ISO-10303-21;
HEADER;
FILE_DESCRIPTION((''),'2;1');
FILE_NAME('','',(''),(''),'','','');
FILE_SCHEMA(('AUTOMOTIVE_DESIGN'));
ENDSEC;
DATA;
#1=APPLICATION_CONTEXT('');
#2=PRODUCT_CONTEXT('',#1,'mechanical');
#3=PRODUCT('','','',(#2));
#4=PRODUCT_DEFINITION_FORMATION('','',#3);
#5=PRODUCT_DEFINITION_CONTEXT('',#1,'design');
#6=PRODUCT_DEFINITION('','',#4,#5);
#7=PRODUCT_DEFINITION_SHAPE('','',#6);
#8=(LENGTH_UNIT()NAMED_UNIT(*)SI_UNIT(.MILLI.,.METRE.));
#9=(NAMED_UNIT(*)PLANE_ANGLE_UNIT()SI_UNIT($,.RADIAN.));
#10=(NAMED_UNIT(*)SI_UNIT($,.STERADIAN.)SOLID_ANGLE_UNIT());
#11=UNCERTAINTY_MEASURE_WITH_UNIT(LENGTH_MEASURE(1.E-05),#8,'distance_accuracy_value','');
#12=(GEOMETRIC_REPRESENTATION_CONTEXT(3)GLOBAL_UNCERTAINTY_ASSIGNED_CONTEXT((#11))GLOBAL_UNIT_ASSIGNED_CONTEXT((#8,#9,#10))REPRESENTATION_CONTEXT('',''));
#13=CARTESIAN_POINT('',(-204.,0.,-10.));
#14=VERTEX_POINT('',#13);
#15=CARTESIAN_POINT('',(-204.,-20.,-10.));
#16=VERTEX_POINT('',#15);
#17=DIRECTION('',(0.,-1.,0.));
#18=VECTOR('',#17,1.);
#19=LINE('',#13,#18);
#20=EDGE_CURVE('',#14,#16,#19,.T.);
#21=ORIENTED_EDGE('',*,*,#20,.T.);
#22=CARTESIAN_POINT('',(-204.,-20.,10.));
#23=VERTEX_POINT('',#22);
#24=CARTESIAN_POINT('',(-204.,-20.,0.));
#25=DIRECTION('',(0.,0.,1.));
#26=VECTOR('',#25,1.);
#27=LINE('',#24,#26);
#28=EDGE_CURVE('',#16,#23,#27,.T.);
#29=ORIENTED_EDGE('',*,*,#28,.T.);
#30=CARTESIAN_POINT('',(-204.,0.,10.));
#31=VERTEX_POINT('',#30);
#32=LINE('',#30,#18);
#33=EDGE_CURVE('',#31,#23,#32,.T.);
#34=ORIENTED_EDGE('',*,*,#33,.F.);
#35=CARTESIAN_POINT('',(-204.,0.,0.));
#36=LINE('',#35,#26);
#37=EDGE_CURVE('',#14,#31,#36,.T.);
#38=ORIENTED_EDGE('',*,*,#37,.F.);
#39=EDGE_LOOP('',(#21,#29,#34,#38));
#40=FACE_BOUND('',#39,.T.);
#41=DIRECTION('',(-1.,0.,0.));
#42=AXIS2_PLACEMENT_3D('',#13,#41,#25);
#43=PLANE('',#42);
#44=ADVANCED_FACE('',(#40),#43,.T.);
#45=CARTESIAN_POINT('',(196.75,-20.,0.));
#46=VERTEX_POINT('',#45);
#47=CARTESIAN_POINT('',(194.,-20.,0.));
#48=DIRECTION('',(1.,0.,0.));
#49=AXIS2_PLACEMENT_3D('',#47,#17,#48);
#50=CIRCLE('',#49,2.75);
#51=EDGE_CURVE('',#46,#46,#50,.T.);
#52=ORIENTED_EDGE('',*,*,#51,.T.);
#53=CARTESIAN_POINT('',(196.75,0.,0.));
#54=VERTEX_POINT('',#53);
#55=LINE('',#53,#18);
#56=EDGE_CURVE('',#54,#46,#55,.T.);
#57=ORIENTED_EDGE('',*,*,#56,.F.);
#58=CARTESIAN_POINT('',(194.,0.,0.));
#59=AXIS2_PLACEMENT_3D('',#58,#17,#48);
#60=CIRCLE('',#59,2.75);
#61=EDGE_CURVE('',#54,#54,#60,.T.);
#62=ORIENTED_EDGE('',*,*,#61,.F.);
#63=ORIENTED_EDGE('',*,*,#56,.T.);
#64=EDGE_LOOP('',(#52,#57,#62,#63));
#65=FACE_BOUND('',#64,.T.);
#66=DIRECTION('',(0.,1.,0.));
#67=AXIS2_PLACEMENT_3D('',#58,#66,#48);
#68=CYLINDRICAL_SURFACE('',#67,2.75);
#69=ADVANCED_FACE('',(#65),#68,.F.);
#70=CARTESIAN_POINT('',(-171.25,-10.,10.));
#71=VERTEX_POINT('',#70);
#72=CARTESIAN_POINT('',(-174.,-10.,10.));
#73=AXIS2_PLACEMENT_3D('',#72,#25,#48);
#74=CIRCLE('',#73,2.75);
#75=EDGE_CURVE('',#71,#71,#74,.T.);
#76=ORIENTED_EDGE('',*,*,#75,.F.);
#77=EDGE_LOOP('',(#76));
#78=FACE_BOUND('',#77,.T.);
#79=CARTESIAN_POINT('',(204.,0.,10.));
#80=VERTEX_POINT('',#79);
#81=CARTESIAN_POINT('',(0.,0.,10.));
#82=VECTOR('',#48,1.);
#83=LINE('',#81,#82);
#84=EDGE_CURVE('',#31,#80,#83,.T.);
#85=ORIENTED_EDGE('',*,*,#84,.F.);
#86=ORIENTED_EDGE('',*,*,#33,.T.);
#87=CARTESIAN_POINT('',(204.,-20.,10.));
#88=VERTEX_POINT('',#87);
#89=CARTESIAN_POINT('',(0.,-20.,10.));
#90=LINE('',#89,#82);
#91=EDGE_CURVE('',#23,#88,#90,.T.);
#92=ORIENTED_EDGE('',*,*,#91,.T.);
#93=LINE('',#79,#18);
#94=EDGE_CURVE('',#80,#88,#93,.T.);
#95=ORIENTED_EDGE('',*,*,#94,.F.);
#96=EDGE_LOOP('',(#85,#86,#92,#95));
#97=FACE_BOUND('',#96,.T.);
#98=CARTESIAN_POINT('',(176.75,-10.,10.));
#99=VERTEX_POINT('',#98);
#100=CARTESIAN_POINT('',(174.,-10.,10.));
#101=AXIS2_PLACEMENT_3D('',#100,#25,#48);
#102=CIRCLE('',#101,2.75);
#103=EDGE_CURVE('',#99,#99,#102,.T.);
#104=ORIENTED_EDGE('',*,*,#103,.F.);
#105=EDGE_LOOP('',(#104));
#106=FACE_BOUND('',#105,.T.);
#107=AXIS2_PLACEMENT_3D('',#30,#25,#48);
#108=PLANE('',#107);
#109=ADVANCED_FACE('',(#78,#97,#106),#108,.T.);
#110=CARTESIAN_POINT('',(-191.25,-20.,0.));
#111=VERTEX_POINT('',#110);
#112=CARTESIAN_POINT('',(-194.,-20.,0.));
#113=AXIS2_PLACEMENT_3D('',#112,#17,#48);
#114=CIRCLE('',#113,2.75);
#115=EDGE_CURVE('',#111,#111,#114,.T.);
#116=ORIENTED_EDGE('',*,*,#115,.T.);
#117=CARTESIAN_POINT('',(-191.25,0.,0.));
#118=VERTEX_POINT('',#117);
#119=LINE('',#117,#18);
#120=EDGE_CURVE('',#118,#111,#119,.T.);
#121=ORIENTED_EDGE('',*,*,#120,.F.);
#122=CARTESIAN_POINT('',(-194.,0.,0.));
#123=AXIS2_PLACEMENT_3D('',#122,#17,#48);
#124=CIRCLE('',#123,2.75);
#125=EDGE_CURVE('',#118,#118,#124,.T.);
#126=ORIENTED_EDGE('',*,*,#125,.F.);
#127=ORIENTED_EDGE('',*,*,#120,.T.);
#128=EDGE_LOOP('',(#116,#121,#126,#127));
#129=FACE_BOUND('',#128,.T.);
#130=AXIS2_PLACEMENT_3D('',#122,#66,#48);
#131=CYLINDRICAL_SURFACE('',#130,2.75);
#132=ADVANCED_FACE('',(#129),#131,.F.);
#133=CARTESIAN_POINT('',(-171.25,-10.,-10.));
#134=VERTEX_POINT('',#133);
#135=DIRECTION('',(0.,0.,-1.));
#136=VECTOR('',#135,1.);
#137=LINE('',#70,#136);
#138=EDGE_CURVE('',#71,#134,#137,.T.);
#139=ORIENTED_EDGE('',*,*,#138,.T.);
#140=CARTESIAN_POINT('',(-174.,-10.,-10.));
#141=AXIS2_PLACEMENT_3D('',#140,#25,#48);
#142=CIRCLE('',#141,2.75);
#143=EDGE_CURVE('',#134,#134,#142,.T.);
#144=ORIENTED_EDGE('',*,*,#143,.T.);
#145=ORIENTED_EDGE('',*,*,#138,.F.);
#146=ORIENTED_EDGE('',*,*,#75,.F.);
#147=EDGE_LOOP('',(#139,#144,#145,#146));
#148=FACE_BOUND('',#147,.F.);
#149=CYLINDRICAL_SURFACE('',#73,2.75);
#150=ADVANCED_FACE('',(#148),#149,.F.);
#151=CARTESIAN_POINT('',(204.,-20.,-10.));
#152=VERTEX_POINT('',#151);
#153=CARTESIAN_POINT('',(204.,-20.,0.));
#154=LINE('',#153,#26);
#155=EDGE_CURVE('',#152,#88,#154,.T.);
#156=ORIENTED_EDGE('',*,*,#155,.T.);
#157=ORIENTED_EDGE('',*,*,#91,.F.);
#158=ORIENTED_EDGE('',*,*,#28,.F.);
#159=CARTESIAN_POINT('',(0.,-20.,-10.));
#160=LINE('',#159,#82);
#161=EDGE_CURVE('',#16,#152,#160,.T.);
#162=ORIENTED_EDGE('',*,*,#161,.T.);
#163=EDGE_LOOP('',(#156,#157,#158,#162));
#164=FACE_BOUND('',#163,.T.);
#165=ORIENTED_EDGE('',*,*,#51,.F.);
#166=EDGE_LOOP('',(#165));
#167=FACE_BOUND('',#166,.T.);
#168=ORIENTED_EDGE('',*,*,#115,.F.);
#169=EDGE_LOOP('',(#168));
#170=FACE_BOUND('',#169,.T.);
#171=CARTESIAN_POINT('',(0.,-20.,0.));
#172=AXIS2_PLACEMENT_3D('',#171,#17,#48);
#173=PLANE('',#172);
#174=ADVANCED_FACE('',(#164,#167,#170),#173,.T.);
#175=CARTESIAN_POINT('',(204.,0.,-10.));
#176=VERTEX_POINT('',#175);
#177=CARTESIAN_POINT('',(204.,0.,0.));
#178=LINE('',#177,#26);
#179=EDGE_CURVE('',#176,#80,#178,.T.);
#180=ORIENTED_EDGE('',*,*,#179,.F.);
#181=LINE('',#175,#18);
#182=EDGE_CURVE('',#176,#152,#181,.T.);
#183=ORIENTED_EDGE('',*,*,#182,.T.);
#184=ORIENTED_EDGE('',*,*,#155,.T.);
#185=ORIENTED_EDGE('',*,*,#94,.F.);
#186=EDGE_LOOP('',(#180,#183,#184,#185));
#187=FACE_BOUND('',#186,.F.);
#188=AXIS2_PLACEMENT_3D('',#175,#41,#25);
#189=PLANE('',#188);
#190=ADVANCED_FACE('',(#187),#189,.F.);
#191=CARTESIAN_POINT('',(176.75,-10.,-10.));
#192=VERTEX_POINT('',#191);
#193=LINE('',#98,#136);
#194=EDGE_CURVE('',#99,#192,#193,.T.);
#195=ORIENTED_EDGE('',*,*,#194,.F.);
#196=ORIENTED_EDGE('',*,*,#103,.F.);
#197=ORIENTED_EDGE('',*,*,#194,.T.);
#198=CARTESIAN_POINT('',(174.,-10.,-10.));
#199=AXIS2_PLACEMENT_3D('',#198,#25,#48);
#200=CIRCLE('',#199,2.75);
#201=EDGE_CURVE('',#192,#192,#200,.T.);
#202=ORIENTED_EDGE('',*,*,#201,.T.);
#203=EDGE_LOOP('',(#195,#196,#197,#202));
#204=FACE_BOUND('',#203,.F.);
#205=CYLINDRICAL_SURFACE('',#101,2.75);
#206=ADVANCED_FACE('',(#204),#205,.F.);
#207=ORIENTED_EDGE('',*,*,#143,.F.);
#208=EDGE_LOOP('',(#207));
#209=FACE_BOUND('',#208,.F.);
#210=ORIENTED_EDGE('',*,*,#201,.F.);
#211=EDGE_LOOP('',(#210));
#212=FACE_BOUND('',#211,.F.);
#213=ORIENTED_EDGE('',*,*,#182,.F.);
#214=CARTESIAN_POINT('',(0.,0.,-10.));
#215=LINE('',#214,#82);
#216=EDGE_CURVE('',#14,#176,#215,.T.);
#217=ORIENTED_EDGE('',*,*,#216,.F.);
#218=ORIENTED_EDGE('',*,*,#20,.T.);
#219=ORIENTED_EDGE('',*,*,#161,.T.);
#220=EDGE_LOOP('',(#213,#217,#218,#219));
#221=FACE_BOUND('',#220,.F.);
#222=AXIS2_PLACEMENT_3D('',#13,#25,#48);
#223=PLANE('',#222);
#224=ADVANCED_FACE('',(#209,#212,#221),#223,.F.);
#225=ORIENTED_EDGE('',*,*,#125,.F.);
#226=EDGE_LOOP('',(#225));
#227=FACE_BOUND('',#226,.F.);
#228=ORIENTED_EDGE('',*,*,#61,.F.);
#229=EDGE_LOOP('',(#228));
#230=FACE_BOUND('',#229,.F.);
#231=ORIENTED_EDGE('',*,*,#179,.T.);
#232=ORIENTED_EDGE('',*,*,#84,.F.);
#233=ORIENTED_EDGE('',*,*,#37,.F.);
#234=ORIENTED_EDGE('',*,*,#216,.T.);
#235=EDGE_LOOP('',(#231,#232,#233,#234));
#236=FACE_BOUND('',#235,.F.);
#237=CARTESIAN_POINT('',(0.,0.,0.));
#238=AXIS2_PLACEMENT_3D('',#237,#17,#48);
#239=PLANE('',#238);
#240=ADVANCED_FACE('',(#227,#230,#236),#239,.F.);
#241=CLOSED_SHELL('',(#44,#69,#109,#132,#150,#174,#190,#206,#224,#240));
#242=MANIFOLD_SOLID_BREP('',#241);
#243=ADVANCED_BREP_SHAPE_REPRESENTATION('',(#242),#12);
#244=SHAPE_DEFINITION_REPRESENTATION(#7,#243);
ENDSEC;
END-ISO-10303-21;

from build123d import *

# Parameters (mm, degrees)
F0_W     = 408
F0_H     = 20
F0_R     = 2.75
F1_DEPTH = 20
F2_R     = 2.75
F3_DEPTH = 20


with BuildPart() as f1:
    # F0 (on Front) → F1 (new body)
    with BuildSketch(Plane.XZ):
        Rectangle(F0_W, F0_H)
        with Locations((-194, 0)):
            Circle(F0_R, mode=Mode.SUBTRACT)
        with Locations((194, 0)):
            Circle(F0_R, mode=Mode.SUBTRACT)
    extrude(amount=F1_DEPTH)

    # F2 (on face) → F3 (cut)
    with BuildSketch(Plane.XY.offset(10)):
        with Locations((-174, -10)):
            Circle(F2_R)
        with Locations((174, -10)):
            Circle(F2_R)
    extrude(amount=-F3_DEPTH, mode=Mode.SUBTRACT)


solid = f1.part
